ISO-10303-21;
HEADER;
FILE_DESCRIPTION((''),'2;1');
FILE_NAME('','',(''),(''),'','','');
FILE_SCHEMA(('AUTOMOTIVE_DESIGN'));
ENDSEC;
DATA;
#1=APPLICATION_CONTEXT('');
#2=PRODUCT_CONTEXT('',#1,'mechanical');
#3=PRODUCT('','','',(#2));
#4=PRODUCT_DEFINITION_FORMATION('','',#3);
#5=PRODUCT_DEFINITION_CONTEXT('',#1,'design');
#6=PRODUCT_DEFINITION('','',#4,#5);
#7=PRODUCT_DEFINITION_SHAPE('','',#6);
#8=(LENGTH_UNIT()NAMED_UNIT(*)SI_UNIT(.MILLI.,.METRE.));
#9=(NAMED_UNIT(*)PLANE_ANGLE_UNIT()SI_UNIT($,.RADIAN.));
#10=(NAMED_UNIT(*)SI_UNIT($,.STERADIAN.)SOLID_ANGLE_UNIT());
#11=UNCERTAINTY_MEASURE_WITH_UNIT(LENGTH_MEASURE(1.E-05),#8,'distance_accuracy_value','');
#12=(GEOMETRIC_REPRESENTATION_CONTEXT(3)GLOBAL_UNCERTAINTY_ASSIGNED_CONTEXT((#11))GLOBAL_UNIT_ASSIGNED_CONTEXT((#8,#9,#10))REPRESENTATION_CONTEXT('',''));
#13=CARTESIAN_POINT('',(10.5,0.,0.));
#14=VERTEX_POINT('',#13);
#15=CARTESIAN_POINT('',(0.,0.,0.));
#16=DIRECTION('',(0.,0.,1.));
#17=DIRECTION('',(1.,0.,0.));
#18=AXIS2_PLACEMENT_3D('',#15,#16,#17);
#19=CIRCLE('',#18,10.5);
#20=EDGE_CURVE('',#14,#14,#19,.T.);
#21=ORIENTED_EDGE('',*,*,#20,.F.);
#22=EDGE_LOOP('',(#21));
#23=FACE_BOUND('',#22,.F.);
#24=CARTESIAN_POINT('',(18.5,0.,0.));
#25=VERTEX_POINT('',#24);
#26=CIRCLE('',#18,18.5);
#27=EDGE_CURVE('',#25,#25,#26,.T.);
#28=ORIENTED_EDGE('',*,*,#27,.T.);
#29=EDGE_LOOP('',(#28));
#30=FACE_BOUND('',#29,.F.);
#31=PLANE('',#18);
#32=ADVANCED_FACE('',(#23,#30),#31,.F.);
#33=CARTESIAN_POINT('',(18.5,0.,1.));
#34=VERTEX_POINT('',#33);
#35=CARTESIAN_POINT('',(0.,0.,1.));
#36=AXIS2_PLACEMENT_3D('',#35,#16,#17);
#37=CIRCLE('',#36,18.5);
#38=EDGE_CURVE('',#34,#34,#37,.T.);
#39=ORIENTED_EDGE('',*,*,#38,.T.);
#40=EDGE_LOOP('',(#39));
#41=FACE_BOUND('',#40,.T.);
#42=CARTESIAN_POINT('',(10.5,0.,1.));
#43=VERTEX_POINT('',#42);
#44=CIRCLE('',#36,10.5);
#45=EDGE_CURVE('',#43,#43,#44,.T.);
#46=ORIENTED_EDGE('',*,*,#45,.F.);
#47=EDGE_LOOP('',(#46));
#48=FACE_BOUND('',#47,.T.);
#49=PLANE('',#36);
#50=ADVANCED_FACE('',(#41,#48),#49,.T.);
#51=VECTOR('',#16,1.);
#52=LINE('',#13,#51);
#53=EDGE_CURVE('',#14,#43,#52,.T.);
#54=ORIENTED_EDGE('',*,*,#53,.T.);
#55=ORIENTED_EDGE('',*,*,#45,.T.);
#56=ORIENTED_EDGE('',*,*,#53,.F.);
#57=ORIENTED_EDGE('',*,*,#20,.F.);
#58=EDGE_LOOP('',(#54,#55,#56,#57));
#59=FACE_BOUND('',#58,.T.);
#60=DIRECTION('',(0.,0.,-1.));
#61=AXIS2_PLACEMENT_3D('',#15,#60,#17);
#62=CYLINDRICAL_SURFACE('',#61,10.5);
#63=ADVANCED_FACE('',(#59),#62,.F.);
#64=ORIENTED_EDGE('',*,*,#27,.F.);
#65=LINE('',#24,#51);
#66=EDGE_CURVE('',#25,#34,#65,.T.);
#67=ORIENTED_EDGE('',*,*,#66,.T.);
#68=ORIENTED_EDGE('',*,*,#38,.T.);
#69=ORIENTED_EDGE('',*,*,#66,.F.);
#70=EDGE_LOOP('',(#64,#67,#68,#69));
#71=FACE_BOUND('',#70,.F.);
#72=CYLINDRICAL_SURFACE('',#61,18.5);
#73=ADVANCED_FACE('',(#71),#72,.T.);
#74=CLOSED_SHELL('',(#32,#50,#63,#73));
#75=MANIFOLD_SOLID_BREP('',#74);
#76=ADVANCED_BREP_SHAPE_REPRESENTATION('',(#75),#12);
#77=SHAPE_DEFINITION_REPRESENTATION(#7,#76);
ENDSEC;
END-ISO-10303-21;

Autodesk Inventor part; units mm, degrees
ref_plane "YZ Plane" through (0, 0, 0) normal (1, 0, 0) x (0, 1, 0)
ref_plane "XZ Plane" through (0, 0, 0) normal (0, 1, 0) x (-1, 0, 0)
ref_plane "XY Plane" through (0, 0, 0) normal (0, 0, 1) x (1, 0, 0)
sketch "スケッチ1" plane through (0, 0, 0) normal (0, 0, 1) x (1, 0, 0)
  circle A0 centre (0, 0) radius 10.5
  circle A1 centre (0, 0) radius 18.5
  dimension "d0" = 21
  dimension "d1" = 37
extrude "押し出し1" add sketch "スケッチ1" along normal blind 1
properties part number "83W-21"
